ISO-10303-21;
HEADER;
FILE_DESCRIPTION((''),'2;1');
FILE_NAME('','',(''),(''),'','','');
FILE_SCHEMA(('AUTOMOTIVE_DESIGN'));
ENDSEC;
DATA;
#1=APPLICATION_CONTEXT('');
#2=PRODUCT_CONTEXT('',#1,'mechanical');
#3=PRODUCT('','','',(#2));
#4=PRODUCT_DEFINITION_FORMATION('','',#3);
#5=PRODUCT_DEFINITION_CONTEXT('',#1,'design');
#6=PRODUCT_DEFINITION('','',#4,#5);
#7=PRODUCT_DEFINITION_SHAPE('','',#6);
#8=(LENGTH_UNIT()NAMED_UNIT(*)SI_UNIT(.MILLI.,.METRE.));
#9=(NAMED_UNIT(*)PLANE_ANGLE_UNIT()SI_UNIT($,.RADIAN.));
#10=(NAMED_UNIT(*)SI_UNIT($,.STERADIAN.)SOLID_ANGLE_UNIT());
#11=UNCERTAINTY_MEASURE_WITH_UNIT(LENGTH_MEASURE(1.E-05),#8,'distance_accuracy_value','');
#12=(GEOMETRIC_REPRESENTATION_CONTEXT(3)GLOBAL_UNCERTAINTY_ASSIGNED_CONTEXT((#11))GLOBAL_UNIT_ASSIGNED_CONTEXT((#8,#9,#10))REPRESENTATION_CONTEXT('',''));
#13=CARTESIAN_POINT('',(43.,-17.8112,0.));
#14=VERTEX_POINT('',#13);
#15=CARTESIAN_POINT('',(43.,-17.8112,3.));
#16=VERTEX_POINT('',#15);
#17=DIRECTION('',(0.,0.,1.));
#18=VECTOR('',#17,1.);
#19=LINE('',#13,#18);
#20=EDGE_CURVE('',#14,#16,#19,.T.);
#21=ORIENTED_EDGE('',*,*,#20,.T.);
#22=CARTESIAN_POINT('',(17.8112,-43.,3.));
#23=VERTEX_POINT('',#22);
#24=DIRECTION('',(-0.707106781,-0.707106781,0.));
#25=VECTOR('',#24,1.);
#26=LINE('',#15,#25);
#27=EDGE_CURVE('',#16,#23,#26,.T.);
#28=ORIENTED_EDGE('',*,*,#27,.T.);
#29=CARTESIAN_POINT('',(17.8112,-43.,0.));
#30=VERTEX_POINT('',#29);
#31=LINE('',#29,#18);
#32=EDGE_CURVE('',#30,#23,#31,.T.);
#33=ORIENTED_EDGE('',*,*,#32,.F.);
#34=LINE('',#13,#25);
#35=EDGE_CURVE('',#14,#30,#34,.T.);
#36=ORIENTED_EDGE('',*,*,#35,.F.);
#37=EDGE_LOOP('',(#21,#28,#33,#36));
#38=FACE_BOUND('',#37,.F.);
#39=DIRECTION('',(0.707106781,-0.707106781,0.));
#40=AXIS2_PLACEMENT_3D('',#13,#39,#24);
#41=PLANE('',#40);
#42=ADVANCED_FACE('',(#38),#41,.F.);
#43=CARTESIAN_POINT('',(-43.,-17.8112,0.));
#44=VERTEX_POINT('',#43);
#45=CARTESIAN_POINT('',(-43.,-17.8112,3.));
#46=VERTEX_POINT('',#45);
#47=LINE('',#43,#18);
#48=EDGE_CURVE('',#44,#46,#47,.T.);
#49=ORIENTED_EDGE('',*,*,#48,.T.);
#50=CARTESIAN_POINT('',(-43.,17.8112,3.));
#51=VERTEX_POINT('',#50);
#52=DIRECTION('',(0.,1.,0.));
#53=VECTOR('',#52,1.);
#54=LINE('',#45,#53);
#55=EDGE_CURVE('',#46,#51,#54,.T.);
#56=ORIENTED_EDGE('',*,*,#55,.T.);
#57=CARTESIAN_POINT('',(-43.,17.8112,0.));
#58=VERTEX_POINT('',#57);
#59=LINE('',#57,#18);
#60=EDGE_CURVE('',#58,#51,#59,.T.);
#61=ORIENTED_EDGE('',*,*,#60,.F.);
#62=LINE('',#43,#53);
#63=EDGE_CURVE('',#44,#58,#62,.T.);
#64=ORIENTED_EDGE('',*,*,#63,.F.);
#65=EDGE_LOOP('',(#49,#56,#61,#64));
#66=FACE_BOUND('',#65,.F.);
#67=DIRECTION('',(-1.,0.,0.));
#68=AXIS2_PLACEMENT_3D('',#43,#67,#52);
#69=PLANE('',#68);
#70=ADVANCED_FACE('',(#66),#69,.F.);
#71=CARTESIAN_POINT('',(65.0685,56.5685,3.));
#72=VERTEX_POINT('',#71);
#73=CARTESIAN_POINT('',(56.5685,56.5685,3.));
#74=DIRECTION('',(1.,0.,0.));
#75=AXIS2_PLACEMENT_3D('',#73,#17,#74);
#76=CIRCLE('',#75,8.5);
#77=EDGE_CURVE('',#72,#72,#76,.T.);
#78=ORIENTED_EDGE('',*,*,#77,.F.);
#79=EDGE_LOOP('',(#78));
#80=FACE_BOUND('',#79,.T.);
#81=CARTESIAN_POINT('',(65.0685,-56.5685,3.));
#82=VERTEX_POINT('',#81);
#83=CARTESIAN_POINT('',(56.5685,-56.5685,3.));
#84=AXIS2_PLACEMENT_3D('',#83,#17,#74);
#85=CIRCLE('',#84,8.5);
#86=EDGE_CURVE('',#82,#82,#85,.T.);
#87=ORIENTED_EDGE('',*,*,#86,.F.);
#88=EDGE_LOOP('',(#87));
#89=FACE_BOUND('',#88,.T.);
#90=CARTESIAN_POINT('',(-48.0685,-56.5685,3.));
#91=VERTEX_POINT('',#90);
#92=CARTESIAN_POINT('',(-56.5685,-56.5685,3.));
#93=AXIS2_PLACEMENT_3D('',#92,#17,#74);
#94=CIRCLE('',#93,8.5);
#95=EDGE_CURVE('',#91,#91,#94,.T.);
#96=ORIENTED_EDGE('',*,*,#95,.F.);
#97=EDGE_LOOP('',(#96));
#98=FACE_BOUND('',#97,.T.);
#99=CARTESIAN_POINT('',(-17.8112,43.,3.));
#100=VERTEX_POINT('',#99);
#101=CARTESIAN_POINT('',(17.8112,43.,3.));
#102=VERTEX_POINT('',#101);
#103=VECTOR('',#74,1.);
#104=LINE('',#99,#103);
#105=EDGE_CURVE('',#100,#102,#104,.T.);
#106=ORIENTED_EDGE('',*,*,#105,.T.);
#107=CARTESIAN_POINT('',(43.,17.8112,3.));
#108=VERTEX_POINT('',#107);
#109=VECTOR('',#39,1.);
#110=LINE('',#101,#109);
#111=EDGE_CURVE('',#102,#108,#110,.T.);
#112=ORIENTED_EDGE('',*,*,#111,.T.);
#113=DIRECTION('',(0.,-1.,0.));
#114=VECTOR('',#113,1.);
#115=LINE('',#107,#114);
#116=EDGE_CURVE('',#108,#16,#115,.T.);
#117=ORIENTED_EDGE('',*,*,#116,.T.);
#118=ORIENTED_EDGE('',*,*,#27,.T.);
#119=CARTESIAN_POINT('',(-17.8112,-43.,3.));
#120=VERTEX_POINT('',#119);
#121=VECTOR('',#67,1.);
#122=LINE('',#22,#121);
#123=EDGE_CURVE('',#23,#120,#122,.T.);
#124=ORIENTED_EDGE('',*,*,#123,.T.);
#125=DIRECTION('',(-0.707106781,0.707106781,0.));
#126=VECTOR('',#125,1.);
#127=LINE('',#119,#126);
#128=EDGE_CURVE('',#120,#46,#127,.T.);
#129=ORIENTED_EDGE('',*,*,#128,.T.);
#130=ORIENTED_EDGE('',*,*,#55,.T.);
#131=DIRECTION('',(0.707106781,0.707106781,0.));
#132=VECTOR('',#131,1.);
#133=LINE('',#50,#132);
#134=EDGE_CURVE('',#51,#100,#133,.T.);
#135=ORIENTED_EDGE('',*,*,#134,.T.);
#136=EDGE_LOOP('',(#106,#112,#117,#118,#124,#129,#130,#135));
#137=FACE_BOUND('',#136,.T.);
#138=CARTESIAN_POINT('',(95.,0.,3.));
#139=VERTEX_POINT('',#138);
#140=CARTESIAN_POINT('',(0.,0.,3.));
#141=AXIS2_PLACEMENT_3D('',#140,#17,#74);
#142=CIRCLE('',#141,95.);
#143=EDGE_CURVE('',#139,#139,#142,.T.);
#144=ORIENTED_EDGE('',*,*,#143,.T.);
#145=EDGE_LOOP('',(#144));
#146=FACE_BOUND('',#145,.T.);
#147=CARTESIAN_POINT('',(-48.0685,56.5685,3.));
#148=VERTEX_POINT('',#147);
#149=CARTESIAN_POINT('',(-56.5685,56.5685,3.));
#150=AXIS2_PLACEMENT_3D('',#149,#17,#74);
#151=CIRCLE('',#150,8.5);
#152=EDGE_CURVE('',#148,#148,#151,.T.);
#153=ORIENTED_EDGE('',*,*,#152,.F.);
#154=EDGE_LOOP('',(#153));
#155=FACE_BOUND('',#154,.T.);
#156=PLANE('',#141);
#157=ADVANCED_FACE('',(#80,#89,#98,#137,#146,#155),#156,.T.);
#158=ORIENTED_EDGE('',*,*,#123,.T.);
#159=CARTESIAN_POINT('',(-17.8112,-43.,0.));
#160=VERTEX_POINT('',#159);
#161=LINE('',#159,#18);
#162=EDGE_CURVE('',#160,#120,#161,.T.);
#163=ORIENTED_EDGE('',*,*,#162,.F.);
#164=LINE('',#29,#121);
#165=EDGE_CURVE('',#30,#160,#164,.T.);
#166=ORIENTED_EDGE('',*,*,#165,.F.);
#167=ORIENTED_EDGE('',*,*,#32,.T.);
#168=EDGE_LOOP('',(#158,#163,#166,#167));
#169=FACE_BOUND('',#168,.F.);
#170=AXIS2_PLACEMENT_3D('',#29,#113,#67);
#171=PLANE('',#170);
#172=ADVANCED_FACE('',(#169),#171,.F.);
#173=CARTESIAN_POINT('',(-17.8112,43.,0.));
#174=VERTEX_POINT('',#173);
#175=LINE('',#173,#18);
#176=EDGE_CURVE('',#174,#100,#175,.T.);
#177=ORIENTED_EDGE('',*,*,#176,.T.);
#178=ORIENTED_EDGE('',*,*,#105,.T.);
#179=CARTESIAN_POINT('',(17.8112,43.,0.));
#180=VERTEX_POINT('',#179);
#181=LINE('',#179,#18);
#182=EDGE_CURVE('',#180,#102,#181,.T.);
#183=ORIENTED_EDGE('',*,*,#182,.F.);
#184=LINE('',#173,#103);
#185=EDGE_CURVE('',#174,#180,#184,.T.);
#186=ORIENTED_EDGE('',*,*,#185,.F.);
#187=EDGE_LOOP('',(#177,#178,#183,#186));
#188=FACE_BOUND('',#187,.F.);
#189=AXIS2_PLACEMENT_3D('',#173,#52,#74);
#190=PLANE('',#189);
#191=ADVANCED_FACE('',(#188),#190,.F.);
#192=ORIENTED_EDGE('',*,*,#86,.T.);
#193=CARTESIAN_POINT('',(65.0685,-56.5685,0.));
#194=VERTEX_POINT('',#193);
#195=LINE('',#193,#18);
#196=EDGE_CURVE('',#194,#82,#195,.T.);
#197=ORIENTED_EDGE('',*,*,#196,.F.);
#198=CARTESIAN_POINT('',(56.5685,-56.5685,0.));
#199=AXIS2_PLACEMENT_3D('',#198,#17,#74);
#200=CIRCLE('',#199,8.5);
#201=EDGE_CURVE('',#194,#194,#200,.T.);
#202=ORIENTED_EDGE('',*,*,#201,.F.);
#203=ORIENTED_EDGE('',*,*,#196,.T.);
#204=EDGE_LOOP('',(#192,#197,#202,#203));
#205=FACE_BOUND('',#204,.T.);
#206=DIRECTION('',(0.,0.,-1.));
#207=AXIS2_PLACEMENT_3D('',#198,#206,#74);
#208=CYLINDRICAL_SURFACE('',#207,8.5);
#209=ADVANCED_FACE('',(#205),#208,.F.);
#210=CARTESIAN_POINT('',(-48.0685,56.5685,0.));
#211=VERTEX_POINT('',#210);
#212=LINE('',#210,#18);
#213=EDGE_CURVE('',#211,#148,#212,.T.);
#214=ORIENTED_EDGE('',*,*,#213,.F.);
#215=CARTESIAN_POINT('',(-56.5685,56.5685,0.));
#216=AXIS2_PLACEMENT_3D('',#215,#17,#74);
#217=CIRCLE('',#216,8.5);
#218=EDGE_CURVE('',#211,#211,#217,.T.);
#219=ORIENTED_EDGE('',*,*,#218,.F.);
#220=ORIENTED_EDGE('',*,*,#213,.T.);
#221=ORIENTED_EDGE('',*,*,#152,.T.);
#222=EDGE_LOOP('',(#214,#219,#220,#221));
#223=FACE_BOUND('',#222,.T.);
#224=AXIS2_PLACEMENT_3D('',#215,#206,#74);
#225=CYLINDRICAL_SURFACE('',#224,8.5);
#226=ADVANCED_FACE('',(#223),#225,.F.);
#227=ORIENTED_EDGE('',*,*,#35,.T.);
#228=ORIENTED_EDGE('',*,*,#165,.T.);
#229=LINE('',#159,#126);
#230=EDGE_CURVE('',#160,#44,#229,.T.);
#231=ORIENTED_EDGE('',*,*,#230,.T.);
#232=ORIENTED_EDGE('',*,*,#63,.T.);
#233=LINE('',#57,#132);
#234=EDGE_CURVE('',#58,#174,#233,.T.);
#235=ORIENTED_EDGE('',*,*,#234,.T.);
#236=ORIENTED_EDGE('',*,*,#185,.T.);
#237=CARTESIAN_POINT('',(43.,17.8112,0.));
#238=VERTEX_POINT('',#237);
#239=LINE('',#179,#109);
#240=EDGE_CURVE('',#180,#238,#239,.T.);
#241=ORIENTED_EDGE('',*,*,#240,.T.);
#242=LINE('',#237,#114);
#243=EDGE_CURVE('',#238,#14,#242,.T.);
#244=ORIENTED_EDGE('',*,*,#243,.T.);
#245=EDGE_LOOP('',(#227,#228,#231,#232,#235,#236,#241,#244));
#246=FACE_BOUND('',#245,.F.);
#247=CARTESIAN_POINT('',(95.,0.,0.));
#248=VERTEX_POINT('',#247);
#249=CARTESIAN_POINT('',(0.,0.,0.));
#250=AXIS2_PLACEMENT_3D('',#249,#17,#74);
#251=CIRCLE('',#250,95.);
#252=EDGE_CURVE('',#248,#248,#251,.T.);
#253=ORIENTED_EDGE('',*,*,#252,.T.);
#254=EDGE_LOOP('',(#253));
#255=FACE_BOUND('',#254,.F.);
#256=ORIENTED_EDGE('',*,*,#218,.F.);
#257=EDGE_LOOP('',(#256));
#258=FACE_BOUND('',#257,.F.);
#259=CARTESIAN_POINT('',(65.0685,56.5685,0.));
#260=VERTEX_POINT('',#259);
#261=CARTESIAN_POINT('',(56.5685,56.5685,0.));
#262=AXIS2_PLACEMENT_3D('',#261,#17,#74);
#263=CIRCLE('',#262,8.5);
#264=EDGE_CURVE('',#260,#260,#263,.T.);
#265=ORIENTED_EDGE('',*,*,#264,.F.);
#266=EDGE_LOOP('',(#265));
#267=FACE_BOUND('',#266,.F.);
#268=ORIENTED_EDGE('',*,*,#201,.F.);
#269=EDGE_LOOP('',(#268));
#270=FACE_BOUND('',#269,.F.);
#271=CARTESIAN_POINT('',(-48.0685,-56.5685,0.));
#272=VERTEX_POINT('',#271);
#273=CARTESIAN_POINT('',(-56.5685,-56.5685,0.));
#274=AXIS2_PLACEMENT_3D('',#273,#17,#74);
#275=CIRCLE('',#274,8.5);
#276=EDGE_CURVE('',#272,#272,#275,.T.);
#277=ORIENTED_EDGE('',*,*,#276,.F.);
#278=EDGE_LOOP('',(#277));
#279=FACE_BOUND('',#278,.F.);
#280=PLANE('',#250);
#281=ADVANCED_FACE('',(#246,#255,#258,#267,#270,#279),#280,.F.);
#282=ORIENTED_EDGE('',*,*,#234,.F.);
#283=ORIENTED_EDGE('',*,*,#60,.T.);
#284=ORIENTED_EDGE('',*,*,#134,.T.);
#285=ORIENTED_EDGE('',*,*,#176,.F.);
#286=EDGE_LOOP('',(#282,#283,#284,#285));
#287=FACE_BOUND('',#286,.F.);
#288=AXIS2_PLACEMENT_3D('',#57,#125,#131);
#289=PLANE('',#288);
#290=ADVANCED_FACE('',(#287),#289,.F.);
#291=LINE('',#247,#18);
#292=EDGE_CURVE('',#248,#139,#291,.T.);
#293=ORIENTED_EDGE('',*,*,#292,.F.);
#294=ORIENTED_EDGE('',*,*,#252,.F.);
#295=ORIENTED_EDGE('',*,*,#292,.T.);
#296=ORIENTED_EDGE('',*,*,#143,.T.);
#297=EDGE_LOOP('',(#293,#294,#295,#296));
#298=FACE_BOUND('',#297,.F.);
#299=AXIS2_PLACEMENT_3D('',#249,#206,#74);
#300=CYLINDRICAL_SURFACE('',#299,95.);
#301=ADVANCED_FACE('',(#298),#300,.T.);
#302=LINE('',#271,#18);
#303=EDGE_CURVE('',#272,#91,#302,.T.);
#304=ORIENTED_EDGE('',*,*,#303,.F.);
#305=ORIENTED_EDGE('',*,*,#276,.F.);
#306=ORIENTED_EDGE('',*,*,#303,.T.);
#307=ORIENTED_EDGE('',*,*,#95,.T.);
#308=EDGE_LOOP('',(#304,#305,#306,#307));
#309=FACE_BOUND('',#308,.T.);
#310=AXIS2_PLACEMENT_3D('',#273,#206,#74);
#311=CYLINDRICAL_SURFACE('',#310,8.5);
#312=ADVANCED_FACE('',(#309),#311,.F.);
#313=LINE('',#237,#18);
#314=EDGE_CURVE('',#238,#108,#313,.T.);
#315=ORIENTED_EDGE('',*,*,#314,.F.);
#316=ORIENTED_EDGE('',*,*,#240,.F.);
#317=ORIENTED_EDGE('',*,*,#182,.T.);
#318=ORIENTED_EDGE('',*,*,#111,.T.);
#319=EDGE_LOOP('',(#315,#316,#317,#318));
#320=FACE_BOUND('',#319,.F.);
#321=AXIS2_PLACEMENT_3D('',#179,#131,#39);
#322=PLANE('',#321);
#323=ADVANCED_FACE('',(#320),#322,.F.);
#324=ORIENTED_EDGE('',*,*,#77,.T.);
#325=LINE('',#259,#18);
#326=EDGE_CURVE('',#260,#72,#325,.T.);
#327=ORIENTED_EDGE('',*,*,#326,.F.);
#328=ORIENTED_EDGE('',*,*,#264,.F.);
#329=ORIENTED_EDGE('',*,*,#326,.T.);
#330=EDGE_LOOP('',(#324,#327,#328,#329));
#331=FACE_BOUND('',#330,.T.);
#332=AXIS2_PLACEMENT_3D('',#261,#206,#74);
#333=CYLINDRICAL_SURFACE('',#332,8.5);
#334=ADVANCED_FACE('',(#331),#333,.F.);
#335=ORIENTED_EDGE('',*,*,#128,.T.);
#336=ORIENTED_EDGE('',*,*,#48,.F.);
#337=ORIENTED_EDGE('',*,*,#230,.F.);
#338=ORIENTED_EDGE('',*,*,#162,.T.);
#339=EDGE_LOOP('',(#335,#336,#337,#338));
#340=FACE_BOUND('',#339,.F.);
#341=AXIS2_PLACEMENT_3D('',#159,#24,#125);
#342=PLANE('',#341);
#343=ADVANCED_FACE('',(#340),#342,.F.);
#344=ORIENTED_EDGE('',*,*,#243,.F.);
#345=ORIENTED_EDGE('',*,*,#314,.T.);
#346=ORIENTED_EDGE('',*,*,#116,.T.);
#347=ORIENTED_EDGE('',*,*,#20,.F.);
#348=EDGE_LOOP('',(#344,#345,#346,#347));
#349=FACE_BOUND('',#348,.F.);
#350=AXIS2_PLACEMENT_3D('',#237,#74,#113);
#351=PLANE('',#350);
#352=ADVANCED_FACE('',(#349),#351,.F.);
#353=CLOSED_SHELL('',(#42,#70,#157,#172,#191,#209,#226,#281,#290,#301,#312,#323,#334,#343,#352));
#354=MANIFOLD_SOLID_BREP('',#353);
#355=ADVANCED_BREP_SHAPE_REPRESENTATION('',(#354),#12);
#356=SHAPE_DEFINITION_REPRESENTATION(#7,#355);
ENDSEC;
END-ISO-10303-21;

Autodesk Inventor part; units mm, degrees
ref_plane "YZ Plane" through (0, 0, 0) normal (1, 0, 0) x (0, 1, 0)
ref_plane "XZ Plane" through (0, 0, 0) normal (0, 1, 0) x (-1, 0, 0)
ref_plane "XY Plane" through (0, 0, 0) normal (0, 0, 1) x (1, 0, 0)
sketch "Sketch1" plane through (0, 0, 0) normal (0, 0, 1) x (1, 0, 0)
  circle A0 centre (0, 0) radius 95
  circle A1 centre (-56.5685, 56.5685) radius 8.5
  circle A2 centre (0, 0) radius 80 construction
  circle A3 centre (-56.5685, -56.5685) radius 8.5
  circle A4 centre (56.5685, -56.5685) radius 8.5
  circle A5 centre (56.5685, 56.5685) radius 8.5
  line L0 (17.8112, -43) -> (-17.8112, -43)
  line L1 (-17.8112, -43) -> (-43, -17.8112)
  line L2 (-43, -17.8112) -> (-43, 17.8112)
  line L3 (-43, 17.8112) -> (-17.8112, 43)
  line L4 (-17.8112, 43) -> (17.8112, 43)
  line L5 (17.8112, 43) -> (43, 17.8112)
  line L6 (43, 17.8112) -> (43, -17.8112)
  line L7 (43, -17.8112) -> (17.8112, -43)
  line L8 (0, 0) -> (-30.4056, 30.4056) construction
  dimension "d171" = 160
  dimension "d157" = 190
  dimension "d170" = 17
  dimension "d174" = 360
  dimension "d176" = 86
extrude "Plate5" add sketch "Sketch1" along normal blind 3
properties part number "PRS 9651 DrSysB MAIN  FLANGE_D1200" material "Stainless Steel"
